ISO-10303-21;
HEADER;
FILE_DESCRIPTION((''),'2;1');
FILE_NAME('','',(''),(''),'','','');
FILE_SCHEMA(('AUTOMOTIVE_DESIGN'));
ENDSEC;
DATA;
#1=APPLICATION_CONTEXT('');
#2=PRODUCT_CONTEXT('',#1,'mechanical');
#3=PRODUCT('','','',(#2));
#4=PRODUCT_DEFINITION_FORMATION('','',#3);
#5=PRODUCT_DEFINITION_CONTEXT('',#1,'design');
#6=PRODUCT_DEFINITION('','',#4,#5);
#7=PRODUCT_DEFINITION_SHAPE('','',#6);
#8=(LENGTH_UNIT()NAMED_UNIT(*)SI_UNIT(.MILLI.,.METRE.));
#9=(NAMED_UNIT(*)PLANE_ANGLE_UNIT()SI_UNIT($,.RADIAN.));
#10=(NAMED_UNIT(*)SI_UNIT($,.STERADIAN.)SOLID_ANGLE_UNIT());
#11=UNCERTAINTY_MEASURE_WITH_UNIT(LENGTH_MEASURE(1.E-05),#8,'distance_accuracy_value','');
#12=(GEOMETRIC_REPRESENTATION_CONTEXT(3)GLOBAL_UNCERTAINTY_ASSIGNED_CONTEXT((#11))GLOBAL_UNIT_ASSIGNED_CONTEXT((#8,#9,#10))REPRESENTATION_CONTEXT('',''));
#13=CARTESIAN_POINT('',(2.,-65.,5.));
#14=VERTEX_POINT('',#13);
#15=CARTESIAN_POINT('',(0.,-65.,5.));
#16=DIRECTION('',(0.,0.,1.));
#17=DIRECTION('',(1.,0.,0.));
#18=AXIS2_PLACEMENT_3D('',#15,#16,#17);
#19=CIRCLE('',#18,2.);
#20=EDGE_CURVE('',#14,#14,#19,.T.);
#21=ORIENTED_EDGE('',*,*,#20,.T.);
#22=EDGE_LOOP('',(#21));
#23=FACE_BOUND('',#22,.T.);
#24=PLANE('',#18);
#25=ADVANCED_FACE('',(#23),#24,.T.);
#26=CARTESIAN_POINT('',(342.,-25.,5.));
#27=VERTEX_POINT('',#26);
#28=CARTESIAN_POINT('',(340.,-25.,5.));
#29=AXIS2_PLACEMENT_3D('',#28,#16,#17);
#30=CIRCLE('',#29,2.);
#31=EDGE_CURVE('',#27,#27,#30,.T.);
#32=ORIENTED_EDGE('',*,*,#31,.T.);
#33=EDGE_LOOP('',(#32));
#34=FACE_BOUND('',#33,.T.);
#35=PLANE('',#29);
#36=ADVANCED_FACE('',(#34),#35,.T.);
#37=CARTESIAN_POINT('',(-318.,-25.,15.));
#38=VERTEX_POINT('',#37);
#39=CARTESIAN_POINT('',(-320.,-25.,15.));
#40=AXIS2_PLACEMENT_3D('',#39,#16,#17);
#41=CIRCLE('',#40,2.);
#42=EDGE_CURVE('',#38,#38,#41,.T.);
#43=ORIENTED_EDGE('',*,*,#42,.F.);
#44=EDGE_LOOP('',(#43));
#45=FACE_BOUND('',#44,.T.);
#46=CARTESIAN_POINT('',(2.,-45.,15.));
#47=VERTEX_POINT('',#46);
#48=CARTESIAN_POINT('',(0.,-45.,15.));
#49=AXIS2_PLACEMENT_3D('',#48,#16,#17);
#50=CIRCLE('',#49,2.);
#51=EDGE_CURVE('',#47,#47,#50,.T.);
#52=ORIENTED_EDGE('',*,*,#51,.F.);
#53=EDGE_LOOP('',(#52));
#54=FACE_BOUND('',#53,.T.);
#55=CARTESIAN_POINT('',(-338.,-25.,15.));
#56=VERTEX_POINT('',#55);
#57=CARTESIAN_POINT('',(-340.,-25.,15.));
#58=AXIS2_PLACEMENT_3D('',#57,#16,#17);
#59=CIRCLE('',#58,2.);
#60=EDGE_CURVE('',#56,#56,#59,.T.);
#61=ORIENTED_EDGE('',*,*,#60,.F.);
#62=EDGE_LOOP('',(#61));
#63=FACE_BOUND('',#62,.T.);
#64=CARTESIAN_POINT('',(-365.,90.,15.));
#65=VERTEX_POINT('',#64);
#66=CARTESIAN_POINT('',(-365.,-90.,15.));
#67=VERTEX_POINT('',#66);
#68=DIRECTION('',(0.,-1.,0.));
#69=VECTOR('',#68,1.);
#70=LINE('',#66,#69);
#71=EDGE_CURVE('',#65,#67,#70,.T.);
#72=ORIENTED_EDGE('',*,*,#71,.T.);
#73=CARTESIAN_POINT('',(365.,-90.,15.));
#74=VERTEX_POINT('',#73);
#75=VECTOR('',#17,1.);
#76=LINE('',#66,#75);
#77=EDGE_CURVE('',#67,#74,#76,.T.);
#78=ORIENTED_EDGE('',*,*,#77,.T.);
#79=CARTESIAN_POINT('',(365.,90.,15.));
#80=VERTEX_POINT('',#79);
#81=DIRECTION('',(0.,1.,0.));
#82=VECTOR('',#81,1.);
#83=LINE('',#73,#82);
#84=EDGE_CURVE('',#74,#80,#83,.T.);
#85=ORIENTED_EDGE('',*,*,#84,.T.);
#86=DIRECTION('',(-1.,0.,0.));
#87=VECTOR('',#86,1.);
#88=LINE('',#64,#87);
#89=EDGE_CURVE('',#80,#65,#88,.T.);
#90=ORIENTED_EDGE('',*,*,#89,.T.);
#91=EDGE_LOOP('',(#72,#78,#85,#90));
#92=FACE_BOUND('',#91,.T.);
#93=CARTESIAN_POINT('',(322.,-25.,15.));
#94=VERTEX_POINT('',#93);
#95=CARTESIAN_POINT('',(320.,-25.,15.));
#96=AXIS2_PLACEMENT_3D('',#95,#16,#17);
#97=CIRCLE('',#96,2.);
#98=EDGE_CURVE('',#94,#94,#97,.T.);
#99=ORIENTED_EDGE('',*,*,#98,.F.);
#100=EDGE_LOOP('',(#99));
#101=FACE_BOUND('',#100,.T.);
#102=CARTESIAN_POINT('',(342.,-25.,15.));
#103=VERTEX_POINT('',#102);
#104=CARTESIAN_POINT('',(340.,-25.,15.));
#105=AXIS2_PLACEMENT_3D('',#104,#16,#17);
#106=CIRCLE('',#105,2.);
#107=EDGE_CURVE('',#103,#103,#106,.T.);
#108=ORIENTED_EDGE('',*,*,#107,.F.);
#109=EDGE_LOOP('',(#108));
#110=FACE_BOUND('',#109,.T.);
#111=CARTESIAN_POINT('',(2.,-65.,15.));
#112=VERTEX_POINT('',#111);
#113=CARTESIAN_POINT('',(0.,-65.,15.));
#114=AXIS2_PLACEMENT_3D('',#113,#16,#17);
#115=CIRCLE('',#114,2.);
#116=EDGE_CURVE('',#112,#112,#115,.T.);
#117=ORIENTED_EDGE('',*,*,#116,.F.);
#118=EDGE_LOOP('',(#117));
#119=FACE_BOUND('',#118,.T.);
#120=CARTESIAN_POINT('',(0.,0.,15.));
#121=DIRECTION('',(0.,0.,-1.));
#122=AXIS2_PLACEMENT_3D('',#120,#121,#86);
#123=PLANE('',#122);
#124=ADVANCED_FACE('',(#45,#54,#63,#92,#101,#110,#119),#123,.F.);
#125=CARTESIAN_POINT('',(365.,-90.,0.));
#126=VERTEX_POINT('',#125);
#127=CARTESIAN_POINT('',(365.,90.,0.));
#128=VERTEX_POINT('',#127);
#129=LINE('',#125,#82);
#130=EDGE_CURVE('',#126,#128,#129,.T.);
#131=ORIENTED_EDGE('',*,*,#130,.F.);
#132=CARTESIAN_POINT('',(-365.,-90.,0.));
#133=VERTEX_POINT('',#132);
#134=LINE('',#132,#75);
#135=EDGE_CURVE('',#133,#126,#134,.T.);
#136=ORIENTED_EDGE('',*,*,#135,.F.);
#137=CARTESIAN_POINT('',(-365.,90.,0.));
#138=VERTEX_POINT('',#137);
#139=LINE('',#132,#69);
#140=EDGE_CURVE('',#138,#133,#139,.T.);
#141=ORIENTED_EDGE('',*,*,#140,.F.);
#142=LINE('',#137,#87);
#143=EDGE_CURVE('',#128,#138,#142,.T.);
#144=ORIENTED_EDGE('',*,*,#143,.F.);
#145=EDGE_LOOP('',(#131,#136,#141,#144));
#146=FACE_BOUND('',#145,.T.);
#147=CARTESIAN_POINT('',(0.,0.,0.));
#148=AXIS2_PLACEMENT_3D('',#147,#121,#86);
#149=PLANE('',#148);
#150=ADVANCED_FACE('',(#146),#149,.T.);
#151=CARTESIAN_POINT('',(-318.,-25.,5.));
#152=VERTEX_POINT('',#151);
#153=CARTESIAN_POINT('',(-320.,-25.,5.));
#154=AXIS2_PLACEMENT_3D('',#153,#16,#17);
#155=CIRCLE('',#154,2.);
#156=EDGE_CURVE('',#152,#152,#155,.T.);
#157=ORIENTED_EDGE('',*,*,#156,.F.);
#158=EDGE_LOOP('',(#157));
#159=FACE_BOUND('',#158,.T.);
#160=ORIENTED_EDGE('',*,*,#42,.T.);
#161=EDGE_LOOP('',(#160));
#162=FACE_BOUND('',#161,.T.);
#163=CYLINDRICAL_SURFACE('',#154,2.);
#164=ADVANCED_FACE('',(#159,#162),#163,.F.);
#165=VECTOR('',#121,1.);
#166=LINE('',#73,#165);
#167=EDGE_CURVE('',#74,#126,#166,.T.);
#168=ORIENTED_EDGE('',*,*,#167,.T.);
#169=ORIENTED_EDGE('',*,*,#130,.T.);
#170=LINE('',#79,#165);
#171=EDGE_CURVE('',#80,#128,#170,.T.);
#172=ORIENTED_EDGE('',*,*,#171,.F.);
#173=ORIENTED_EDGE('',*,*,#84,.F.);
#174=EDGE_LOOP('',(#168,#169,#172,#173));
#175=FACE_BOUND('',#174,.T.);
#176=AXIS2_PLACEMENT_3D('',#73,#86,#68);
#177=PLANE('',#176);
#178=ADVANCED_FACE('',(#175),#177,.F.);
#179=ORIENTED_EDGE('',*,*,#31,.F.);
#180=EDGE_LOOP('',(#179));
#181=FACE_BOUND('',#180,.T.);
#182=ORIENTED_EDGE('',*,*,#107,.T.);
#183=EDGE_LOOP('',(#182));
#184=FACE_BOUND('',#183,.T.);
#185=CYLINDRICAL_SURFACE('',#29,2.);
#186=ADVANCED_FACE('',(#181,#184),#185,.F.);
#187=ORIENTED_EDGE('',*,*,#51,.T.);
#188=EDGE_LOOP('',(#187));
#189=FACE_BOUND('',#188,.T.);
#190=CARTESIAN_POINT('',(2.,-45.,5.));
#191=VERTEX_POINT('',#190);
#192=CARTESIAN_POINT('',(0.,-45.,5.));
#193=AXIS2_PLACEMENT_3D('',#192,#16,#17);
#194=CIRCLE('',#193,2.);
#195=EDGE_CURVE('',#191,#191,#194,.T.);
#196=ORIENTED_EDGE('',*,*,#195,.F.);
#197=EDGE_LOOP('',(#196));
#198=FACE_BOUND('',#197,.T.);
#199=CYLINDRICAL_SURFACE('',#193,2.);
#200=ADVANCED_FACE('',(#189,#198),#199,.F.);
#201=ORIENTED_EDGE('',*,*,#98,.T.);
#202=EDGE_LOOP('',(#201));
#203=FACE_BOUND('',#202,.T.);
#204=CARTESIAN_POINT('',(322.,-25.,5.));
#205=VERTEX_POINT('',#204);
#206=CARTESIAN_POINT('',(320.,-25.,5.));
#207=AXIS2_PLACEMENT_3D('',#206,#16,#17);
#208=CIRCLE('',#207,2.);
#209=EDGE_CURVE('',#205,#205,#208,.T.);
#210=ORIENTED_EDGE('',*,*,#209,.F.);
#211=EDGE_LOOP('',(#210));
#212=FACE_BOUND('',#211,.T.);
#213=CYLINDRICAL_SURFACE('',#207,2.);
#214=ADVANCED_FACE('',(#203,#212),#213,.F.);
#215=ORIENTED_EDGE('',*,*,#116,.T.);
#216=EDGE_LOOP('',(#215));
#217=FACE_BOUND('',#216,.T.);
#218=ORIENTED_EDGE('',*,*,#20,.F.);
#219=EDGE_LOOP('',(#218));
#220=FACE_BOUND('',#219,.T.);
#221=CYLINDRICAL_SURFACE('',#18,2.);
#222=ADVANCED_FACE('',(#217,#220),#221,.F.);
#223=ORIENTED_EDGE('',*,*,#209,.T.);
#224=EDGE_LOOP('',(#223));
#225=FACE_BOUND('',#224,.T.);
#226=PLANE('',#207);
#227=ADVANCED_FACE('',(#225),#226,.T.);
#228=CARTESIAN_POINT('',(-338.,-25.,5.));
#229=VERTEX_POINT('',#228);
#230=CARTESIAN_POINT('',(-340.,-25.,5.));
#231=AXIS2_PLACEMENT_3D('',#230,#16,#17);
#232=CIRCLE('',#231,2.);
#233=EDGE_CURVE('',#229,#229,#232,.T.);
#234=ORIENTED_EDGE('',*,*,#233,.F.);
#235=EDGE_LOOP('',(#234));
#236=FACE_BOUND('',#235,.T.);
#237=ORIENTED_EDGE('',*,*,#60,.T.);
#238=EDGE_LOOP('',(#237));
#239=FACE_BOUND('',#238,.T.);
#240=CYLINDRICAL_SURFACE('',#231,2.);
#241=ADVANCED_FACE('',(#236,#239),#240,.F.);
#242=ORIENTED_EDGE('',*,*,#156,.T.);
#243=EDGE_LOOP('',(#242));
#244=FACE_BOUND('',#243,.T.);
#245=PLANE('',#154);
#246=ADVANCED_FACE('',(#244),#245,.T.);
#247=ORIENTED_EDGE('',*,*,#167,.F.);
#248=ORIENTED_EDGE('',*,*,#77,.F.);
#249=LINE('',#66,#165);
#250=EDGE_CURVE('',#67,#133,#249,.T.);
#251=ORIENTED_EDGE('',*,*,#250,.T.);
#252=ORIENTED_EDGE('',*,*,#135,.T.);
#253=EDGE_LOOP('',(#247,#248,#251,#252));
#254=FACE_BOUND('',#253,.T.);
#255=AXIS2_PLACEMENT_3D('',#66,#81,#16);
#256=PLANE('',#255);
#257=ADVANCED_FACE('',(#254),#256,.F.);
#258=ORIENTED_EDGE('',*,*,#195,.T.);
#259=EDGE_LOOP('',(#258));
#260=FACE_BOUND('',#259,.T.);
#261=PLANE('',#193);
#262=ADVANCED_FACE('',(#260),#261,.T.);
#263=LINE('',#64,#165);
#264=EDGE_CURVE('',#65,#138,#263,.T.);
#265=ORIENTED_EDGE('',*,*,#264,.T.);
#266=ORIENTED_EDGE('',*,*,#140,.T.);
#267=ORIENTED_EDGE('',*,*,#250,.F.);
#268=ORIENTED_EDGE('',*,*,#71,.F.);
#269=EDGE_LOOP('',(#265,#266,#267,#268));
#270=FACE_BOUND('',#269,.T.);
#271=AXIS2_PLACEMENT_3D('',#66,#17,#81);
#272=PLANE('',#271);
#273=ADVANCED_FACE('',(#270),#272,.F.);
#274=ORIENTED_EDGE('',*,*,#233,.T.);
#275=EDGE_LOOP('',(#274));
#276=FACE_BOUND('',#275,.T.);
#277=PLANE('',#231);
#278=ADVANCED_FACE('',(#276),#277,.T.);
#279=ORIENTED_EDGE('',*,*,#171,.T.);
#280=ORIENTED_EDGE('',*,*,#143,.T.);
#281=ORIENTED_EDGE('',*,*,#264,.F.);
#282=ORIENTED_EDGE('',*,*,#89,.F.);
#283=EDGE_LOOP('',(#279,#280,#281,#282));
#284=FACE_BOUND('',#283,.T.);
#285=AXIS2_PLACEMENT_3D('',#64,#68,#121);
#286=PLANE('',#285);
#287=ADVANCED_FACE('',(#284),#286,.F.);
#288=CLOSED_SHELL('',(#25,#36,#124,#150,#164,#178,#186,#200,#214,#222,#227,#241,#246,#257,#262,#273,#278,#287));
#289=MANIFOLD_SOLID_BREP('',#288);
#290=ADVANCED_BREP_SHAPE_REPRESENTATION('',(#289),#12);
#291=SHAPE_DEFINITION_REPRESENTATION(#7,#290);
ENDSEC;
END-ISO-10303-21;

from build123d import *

# Parameters (mm, degrees)
CROQUIS1_W              = 730
CROQUIS1_H              = 180
SALIENTE_EXTRUIR1_DEPTH = 15
CROQUIS2_R              = 2
CORTAR_EXTRUIR1_DEPTH   = 10


with BuildPart() as part:
    # Croquis1 → Saliente-Extruir1 (new body)
    with BuildSketch(Plane.XY):
        Rectangle(CROQUIS1_W, CROQUIS1_H)
    extrude(amount=SALIENTE_EXTRUIR1_DEPTH)

    # Croquis2 → Cortar-Extruir1 (cut)
    with BuildSketch(Plane.XY.offset(15)):
        with Locations((-340, -25)):
            Circle(CROQUIS2_R)
        with Locations((0, -65)):
            Circle(CROQUIS2_R)
        with Locations((0, -45)):
            Circle(CROQUIS2_R)
        with Locations((-320, -25)):
            Circle(CROQUIS2_R)
        with Locations((340, -25)):
            Circle(CROQUIS2_R)
        with Locations((320, -25)):
            Circle(CROQUIS2_R)
    extrude(amount=-CORTAR_EXTRUIR1_DEPTH, mode=Mode.SUBTRACT)


solid = part.part
